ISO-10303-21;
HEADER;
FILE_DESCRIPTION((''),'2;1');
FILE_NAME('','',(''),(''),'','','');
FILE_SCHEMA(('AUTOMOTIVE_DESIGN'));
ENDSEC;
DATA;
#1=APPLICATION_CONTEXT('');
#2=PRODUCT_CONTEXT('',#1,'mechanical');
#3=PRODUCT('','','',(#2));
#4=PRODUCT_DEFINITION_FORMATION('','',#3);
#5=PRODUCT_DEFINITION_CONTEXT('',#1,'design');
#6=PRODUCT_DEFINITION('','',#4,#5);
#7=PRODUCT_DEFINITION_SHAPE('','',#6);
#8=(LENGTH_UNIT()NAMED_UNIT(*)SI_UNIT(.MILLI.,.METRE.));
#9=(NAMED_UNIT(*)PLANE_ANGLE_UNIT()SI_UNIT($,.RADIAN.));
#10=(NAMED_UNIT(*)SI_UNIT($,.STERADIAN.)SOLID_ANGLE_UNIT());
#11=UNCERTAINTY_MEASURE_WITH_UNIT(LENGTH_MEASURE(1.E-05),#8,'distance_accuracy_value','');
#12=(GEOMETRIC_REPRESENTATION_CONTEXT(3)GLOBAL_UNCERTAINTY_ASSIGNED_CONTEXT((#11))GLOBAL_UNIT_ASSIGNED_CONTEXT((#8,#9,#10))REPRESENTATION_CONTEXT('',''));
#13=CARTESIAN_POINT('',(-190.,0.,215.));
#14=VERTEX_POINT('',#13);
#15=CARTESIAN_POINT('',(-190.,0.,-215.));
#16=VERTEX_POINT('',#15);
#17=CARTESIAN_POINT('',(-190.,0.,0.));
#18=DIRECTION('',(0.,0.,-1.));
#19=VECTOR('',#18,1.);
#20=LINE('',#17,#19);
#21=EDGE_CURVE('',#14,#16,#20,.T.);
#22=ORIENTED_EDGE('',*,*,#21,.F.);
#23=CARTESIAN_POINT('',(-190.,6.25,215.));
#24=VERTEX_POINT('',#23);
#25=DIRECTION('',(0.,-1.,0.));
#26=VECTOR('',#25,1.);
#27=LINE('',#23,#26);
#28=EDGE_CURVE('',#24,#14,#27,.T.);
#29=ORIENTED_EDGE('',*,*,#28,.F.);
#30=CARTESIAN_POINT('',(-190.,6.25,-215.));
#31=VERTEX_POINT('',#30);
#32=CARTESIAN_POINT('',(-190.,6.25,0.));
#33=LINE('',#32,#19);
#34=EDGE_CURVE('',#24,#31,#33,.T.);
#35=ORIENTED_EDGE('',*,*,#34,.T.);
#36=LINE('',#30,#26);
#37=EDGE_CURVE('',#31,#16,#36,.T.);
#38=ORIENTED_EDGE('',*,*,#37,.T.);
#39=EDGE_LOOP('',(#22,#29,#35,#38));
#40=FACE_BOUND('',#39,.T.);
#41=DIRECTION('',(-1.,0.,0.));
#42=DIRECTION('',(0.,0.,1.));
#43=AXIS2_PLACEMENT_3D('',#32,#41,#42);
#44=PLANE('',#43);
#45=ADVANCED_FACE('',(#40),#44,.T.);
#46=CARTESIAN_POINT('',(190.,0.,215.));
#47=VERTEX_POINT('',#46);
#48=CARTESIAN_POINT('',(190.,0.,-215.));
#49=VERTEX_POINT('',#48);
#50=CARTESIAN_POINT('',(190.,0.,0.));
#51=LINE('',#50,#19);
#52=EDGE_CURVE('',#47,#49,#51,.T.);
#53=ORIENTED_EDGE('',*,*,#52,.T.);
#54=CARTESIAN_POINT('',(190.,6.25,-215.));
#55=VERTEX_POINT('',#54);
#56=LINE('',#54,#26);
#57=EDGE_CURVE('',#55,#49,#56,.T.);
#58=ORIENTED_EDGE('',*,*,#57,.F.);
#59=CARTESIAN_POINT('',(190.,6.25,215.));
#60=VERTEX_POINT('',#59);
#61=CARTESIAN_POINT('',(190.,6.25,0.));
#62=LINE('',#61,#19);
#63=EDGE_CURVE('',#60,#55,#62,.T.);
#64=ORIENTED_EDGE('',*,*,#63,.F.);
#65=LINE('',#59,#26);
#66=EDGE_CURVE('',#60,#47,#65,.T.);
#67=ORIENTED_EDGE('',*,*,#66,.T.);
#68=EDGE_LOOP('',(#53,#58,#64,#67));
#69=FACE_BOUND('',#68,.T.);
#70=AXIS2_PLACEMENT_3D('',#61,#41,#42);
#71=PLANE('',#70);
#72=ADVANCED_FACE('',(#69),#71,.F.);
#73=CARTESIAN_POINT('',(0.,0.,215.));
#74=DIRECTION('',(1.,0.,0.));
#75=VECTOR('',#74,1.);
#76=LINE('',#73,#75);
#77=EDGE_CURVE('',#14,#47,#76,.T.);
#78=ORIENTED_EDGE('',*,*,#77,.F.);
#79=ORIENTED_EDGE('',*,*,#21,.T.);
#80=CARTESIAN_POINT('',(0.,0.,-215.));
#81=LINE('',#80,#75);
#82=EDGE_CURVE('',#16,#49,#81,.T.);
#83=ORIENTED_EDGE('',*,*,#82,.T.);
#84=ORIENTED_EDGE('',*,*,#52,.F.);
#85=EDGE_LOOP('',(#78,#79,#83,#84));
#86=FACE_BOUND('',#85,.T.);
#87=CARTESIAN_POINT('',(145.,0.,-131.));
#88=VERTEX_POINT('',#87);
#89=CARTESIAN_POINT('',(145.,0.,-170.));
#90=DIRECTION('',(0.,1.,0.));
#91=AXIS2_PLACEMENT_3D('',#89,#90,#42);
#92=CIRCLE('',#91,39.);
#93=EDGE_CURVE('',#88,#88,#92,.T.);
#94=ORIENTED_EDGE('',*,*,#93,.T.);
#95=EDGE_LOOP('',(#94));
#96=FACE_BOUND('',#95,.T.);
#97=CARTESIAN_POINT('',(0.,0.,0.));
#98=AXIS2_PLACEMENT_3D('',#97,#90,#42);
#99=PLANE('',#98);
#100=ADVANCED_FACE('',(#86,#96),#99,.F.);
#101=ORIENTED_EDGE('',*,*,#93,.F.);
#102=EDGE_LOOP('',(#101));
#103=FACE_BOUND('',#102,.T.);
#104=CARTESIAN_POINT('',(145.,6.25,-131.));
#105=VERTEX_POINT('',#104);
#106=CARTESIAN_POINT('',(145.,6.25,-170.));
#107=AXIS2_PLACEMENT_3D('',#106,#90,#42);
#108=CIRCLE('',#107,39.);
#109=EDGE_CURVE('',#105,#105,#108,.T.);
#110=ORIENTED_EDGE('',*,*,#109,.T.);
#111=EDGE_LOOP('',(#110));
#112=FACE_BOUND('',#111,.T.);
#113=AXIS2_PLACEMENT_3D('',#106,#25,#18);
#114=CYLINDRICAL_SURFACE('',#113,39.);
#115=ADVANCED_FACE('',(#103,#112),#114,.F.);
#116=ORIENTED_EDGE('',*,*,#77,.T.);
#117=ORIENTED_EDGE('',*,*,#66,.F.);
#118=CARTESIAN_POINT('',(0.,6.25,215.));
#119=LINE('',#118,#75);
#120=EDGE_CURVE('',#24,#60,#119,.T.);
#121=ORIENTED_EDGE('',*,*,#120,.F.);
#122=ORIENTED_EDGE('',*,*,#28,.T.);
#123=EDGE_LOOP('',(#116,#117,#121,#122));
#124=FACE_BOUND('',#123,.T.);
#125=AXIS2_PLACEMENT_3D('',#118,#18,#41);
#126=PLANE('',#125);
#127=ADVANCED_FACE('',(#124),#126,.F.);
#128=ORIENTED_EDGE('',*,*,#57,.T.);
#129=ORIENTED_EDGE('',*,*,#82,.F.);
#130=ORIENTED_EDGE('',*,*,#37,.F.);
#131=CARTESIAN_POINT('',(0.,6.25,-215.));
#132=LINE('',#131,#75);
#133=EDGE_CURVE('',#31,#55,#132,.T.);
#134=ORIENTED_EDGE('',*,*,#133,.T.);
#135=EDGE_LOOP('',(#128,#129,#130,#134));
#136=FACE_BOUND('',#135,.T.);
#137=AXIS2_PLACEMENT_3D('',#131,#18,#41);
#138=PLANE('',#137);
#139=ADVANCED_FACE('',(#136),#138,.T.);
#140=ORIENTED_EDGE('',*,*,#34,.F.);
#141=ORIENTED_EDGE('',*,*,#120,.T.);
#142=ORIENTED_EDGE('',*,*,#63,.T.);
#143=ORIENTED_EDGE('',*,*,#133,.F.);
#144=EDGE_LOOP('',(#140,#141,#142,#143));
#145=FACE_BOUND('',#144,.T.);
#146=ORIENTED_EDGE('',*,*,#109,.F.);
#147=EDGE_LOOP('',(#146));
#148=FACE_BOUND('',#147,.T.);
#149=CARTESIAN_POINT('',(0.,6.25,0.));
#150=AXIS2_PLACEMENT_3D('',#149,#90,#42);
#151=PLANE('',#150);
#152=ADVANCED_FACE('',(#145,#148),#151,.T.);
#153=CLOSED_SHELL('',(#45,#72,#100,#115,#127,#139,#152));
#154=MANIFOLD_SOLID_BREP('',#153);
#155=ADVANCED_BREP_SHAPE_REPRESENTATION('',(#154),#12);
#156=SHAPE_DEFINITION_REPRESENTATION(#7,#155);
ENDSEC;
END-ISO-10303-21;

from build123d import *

# Parameters (mm, degrees)
BOSS_EXTRUDE1_DEPTH = 6.25


with BuildPart() as part:
    # Sketch1 → Boss-Extrude1 (new body)
    with BuildSketch(Plane(origin=(0, 0, 0), x_dir=(1, 0, 0), z_dir=(0, 1, 0))):
        with BuildLine():
            Line((106, 215), (106, 170))
            ThreePointArc((106, 170), (145, 209), (184, 170))
            Line((184, 170), (184, 215))
            Line((184, 215), (106, 215))
        make_face()
        with BuildLine():
            ThreePointArc((184, 170), (145, 131), (106, 170))
            Line((106, 170), (106, 215))
            Line((106, 215), (-190, 215))
            Line((-190, 215), (-190, -215))
            Line((-190, -215), (190, -215))
            Line((190, -215), (190, 215))
            Line((190, 215), (184, 215))
            Line((184, 215), (184, 170))
        make_face()
    extrude(amount=BOSS_EXTRUDE1_DEPTH)


solid = part.part
